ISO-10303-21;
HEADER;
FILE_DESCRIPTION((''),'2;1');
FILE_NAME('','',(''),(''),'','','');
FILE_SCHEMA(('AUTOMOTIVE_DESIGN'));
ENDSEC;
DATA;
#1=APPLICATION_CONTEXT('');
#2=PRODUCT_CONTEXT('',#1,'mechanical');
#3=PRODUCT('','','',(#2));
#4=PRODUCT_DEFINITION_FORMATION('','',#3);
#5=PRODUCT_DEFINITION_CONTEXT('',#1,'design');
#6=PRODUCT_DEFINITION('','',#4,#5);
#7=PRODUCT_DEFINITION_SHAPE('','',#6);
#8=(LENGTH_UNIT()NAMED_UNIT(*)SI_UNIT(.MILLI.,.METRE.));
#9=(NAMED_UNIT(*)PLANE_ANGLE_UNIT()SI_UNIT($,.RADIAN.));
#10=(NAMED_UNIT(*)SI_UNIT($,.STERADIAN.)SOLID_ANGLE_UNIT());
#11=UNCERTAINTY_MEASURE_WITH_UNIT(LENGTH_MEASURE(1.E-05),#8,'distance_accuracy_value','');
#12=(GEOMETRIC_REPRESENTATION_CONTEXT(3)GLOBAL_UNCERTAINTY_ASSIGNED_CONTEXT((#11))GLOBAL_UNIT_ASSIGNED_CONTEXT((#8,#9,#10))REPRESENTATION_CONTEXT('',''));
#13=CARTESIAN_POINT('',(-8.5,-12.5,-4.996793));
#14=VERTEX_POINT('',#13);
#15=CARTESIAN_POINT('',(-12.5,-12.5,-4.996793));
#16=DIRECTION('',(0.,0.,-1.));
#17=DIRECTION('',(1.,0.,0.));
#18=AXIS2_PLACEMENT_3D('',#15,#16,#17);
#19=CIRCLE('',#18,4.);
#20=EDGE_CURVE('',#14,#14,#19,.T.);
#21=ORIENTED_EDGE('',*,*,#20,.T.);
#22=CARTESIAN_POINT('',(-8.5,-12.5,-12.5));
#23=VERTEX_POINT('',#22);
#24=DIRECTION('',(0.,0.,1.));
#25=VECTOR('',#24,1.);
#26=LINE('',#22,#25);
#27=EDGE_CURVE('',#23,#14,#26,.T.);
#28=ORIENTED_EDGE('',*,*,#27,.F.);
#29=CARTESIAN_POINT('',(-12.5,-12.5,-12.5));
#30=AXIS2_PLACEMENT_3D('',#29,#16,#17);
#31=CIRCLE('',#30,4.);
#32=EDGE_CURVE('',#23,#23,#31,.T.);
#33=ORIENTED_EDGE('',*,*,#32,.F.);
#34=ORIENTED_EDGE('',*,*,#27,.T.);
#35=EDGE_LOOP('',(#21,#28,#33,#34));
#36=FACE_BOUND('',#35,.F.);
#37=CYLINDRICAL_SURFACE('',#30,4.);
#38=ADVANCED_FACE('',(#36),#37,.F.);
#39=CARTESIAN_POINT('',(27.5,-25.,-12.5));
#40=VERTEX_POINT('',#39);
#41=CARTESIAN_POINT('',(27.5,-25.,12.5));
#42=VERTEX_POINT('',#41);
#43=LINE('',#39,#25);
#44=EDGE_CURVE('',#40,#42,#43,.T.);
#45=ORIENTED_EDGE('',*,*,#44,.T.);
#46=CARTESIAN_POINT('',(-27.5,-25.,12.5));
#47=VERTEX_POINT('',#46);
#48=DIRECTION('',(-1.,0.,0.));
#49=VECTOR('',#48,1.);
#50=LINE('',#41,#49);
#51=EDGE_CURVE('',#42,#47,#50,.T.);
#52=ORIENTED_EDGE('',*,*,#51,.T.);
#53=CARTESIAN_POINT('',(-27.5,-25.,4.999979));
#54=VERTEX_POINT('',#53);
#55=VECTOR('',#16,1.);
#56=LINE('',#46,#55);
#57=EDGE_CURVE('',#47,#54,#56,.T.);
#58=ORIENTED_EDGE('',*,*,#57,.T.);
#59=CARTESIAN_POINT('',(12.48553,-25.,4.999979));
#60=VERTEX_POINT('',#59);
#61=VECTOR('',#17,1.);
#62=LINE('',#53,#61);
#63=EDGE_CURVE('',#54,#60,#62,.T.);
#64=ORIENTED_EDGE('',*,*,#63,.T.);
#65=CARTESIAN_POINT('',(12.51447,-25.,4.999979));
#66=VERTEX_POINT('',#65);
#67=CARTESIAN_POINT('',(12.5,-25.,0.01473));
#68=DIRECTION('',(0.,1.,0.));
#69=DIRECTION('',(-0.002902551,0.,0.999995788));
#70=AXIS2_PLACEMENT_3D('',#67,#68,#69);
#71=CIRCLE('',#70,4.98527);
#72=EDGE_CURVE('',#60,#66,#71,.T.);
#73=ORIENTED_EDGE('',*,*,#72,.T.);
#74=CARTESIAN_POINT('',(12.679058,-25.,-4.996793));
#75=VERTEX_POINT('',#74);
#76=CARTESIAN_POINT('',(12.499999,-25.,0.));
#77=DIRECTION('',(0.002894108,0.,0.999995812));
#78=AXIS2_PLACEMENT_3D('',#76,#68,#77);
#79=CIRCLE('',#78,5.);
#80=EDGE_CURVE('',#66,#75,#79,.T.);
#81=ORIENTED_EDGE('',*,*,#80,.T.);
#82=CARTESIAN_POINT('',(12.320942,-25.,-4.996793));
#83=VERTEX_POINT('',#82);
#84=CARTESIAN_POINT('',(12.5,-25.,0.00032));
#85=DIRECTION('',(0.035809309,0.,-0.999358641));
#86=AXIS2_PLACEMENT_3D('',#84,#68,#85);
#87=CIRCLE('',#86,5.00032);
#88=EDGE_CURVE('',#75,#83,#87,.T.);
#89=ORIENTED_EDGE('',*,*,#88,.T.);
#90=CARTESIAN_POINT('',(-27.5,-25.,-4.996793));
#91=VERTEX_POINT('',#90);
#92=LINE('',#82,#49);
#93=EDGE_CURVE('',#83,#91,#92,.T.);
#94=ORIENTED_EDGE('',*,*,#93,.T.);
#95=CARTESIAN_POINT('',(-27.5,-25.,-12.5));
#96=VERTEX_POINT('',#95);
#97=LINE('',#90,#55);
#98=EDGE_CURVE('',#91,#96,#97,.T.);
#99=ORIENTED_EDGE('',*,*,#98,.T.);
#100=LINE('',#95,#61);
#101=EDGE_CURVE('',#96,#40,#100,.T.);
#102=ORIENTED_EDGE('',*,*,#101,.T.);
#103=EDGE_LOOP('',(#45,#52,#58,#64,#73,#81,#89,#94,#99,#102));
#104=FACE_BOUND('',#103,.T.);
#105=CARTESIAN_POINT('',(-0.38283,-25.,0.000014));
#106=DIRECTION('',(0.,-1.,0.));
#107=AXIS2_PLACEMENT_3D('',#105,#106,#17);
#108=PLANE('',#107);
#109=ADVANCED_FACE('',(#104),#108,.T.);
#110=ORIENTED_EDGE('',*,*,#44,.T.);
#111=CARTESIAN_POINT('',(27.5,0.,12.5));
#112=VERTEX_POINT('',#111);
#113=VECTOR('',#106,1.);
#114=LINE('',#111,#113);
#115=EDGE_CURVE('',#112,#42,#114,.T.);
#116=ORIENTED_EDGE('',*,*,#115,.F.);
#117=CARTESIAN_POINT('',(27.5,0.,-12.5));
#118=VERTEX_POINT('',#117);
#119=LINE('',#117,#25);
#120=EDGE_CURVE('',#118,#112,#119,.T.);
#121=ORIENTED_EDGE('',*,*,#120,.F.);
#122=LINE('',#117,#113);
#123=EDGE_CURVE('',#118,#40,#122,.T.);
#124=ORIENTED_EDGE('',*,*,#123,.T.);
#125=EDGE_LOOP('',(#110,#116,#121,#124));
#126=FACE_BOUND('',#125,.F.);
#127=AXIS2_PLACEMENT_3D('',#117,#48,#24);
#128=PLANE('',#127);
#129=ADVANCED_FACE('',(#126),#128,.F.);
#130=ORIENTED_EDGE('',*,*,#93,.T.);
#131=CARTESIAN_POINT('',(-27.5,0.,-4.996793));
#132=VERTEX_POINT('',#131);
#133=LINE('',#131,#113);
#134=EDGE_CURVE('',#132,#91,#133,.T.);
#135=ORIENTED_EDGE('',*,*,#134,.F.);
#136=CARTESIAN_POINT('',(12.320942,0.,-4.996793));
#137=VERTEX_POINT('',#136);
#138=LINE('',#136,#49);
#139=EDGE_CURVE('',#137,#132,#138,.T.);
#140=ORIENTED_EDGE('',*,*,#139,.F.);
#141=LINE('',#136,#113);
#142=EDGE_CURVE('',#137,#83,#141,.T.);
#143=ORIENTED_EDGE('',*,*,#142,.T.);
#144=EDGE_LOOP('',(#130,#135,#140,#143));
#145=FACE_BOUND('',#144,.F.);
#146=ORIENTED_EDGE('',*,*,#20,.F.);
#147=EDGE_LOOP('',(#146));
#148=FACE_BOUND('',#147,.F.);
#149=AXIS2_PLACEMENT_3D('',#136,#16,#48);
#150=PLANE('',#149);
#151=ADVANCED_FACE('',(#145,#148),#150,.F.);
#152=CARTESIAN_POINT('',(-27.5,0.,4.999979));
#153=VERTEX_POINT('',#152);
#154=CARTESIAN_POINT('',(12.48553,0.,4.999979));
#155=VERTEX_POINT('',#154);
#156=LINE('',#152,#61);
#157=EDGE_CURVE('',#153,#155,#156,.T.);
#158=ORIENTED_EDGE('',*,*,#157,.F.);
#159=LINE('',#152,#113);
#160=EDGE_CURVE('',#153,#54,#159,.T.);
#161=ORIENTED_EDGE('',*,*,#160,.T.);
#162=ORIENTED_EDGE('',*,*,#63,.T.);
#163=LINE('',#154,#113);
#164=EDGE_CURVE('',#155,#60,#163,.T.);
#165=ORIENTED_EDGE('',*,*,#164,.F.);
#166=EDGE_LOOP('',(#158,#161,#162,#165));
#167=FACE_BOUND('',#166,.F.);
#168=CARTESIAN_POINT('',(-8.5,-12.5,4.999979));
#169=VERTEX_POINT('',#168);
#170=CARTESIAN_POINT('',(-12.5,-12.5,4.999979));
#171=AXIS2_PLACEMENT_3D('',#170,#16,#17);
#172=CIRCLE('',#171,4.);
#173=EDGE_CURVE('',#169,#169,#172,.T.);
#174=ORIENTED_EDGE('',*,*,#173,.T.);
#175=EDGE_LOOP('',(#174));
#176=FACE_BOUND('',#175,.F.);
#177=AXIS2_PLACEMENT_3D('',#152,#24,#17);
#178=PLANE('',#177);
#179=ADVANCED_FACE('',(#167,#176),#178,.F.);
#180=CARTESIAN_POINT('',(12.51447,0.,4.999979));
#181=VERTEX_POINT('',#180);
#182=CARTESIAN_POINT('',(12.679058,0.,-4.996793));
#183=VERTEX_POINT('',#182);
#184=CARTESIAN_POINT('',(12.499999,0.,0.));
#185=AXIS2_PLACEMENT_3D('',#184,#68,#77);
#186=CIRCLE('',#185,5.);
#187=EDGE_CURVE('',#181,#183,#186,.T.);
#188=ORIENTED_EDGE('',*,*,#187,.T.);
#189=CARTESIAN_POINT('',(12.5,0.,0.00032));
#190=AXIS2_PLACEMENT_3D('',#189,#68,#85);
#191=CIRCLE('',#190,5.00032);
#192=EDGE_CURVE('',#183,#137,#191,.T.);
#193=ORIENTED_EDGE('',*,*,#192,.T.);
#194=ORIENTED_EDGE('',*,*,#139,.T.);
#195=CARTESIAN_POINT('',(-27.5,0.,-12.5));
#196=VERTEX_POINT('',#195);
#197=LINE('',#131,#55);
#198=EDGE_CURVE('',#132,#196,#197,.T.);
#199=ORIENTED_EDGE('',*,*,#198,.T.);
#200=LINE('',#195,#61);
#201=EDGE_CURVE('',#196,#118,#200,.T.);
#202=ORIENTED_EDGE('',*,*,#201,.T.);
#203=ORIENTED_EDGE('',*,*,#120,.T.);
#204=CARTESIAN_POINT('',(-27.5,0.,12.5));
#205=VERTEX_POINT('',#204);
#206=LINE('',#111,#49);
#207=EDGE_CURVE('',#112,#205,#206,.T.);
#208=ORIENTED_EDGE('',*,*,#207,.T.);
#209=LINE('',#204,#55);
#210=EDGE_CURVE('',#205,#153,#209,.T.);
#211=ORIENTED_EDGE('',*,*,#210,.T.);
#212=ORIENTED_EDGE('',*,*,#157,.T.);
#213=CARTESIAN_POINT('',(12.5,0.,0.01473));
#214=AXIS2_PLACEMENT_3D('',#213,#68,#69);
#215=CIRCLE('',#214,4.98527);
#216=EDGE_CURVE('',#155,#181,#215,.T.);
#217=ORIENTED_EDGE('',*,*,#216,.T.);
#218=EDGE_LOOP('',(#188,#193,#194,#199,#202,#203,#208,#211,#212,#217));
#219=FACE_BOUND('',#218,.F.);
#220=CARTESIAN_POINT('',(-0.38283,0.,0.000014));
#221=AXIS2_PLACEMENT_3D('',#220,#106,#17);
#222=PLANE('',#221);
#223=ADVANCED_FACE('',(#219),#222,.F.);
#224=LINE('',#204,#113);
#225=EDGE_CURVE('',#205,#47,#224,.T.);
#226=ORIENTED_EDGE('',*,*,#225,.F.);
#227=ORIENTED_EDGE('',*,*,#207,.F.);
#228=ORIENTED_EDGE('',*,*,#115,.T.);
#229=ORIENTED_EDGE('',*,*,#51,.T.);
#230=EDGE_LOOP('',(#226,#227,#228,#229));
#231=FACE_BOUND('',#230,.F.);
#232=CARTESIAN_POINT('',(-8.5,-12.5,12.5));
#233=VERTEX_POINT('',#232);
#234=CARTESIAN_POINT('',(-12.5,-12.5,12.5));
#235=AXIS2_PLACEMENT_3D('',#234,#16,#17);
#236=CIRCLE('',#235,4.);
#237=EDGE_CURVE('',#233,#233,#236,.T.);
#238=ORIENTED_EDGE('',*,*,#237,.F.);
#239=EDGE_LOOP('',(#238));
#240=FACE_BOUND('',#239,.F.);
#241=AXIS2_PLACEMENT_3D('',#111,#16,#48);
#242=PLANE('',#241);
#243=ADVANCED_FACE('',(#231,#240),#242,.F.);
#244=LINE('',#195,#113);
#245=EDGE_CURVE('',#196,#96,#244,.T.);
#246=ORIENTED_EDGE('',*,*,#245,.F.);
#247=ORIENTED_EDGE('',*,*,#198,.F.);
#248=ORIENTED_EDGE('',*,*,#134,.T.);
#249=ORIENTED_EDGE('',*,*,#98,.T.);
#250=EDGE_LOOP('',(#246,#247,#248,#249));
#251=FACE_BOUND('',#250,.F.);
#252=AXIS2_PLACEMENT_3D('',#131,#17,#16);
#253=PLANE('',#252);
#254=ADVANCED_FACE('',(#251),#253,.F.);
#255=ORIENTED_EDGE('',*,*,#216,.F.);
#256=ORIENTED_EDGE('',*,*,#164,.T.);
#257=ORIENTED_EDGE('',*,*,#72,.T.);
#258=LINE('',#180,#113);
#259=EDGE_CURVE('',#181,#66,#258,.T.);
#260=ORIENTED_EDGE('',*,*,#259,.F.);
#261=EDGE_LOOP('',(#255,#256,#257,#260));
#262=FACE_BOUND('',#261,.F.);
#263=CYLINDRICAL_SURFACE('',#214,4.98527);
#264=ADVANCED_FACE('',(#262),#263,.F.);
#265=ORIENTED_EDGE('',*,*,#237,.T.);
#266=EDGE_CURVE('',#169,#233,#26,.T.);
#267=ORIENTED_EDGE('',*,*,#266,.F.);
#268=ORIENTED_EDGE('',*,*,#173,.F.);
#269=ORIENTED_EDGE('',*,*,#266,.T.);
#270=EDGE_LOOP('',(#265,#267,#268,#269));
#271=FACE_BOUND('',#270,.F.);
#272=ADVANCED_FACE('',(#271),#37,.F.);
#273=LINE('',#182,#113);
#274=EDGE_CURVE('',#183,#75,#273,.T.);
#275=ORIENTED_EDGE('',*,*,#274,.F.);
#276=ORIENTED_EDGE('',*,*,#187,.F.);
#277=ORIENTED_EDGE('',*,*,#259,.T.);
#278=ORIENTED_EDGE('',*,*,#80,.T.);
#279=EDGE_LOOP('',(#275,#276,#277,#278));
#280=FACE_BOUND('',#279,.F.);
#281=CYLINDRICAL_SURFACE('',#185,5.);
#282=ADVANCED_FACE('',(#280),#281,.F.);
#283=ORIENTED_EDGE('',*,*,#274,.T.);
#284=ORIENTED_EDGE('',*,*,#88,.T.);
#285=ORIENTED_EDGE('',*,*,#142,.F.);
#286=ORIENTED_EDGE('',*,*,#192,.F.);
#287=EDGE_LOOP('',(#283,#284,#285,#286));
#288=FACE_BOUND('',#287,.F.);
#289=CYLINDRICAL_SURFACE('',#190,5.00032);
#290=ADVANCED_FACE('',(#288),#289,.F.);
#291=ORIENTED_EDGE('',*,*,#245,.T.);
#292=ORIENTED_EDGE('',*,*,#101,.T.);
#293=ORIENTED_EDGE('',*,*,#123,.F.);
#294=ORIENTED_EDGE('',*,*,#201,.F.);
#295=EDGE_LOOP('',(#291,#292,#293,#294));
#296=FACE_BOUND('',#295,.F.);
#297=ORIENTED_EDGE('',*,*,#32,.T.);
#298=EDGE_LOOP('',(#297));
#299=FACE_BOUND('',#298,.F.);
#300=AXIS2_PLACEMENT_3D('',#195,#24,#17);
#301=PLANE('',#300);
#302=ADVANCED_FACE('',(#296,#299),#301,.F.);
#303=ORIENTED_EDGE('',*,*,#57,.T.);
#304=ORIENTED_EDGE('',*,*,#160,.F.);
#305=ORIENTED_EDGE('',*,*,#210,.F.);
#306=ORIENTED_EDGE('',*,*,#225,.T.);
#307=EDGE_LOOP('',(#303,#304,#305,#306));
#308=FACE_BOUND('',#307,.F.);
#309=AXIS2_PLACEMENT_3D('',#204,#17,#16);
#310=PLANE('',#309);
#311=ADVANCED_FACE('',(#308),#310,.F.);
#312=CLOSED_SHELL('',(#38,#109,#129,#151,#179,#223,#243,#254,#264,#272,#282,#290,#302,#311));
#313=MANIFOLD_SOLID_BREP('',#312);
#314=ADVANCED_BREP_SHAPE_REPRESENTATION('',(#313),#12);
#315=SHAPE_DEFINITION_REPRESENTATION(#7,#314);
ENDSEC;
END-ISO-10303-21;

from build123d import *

# Parameters (mm, degrees)
F1_DEPTH = 25
F2_R     = 4
F3_DEPTH = 25


with BuildPart() as f1:
    # F0 (on Front) → F1 (new body)
    with BuildSketch(Plane.XZ):
        with BuildLine():
            Line((27.5, 12.5), (-27.5, 12.5))
            Line((-27.5, 12.5), (-27.5, 4.999979))
            Line((-27.5, 4.999979), (12.48553, 4.999979))
            ThreePointArc((12.48553, 4.999979), (12.5, 5), (12.51447, 4.999979))
            ThreePointArc((12.51447, 4.999979), (17.499322, 0.08231), (12.679058, -4.996793))
            ThreePointArc((12.679058, -4.996793), (12.5, -5), (12.320942, -4.996793))
            Line((12.320942, -4.996793), (-27.5, -4.996793))
            Line((-27.5, -4.996793), (-27.5, -12.5))
            Line((-27.5, -12.5), (27.5, -12.5))
            Line((27.5, -12.5), (27.5, 12.5))
        make_face()
    extrude(amount=F1_DEPTH)

    # F2 (on face) → F3 (cut)
    with BuildSketch(Plane(origin=(0, 0, -12.5), x_dir=(1, 0, 0), z_dir=(0, 0, -1))):
        with Locations((-12.5, 12.5)):
            Circle(F2_R)
    extrude(amount=-F3_DEPTH, mode=Mode.SUBTRACT)


solid = f1.part
